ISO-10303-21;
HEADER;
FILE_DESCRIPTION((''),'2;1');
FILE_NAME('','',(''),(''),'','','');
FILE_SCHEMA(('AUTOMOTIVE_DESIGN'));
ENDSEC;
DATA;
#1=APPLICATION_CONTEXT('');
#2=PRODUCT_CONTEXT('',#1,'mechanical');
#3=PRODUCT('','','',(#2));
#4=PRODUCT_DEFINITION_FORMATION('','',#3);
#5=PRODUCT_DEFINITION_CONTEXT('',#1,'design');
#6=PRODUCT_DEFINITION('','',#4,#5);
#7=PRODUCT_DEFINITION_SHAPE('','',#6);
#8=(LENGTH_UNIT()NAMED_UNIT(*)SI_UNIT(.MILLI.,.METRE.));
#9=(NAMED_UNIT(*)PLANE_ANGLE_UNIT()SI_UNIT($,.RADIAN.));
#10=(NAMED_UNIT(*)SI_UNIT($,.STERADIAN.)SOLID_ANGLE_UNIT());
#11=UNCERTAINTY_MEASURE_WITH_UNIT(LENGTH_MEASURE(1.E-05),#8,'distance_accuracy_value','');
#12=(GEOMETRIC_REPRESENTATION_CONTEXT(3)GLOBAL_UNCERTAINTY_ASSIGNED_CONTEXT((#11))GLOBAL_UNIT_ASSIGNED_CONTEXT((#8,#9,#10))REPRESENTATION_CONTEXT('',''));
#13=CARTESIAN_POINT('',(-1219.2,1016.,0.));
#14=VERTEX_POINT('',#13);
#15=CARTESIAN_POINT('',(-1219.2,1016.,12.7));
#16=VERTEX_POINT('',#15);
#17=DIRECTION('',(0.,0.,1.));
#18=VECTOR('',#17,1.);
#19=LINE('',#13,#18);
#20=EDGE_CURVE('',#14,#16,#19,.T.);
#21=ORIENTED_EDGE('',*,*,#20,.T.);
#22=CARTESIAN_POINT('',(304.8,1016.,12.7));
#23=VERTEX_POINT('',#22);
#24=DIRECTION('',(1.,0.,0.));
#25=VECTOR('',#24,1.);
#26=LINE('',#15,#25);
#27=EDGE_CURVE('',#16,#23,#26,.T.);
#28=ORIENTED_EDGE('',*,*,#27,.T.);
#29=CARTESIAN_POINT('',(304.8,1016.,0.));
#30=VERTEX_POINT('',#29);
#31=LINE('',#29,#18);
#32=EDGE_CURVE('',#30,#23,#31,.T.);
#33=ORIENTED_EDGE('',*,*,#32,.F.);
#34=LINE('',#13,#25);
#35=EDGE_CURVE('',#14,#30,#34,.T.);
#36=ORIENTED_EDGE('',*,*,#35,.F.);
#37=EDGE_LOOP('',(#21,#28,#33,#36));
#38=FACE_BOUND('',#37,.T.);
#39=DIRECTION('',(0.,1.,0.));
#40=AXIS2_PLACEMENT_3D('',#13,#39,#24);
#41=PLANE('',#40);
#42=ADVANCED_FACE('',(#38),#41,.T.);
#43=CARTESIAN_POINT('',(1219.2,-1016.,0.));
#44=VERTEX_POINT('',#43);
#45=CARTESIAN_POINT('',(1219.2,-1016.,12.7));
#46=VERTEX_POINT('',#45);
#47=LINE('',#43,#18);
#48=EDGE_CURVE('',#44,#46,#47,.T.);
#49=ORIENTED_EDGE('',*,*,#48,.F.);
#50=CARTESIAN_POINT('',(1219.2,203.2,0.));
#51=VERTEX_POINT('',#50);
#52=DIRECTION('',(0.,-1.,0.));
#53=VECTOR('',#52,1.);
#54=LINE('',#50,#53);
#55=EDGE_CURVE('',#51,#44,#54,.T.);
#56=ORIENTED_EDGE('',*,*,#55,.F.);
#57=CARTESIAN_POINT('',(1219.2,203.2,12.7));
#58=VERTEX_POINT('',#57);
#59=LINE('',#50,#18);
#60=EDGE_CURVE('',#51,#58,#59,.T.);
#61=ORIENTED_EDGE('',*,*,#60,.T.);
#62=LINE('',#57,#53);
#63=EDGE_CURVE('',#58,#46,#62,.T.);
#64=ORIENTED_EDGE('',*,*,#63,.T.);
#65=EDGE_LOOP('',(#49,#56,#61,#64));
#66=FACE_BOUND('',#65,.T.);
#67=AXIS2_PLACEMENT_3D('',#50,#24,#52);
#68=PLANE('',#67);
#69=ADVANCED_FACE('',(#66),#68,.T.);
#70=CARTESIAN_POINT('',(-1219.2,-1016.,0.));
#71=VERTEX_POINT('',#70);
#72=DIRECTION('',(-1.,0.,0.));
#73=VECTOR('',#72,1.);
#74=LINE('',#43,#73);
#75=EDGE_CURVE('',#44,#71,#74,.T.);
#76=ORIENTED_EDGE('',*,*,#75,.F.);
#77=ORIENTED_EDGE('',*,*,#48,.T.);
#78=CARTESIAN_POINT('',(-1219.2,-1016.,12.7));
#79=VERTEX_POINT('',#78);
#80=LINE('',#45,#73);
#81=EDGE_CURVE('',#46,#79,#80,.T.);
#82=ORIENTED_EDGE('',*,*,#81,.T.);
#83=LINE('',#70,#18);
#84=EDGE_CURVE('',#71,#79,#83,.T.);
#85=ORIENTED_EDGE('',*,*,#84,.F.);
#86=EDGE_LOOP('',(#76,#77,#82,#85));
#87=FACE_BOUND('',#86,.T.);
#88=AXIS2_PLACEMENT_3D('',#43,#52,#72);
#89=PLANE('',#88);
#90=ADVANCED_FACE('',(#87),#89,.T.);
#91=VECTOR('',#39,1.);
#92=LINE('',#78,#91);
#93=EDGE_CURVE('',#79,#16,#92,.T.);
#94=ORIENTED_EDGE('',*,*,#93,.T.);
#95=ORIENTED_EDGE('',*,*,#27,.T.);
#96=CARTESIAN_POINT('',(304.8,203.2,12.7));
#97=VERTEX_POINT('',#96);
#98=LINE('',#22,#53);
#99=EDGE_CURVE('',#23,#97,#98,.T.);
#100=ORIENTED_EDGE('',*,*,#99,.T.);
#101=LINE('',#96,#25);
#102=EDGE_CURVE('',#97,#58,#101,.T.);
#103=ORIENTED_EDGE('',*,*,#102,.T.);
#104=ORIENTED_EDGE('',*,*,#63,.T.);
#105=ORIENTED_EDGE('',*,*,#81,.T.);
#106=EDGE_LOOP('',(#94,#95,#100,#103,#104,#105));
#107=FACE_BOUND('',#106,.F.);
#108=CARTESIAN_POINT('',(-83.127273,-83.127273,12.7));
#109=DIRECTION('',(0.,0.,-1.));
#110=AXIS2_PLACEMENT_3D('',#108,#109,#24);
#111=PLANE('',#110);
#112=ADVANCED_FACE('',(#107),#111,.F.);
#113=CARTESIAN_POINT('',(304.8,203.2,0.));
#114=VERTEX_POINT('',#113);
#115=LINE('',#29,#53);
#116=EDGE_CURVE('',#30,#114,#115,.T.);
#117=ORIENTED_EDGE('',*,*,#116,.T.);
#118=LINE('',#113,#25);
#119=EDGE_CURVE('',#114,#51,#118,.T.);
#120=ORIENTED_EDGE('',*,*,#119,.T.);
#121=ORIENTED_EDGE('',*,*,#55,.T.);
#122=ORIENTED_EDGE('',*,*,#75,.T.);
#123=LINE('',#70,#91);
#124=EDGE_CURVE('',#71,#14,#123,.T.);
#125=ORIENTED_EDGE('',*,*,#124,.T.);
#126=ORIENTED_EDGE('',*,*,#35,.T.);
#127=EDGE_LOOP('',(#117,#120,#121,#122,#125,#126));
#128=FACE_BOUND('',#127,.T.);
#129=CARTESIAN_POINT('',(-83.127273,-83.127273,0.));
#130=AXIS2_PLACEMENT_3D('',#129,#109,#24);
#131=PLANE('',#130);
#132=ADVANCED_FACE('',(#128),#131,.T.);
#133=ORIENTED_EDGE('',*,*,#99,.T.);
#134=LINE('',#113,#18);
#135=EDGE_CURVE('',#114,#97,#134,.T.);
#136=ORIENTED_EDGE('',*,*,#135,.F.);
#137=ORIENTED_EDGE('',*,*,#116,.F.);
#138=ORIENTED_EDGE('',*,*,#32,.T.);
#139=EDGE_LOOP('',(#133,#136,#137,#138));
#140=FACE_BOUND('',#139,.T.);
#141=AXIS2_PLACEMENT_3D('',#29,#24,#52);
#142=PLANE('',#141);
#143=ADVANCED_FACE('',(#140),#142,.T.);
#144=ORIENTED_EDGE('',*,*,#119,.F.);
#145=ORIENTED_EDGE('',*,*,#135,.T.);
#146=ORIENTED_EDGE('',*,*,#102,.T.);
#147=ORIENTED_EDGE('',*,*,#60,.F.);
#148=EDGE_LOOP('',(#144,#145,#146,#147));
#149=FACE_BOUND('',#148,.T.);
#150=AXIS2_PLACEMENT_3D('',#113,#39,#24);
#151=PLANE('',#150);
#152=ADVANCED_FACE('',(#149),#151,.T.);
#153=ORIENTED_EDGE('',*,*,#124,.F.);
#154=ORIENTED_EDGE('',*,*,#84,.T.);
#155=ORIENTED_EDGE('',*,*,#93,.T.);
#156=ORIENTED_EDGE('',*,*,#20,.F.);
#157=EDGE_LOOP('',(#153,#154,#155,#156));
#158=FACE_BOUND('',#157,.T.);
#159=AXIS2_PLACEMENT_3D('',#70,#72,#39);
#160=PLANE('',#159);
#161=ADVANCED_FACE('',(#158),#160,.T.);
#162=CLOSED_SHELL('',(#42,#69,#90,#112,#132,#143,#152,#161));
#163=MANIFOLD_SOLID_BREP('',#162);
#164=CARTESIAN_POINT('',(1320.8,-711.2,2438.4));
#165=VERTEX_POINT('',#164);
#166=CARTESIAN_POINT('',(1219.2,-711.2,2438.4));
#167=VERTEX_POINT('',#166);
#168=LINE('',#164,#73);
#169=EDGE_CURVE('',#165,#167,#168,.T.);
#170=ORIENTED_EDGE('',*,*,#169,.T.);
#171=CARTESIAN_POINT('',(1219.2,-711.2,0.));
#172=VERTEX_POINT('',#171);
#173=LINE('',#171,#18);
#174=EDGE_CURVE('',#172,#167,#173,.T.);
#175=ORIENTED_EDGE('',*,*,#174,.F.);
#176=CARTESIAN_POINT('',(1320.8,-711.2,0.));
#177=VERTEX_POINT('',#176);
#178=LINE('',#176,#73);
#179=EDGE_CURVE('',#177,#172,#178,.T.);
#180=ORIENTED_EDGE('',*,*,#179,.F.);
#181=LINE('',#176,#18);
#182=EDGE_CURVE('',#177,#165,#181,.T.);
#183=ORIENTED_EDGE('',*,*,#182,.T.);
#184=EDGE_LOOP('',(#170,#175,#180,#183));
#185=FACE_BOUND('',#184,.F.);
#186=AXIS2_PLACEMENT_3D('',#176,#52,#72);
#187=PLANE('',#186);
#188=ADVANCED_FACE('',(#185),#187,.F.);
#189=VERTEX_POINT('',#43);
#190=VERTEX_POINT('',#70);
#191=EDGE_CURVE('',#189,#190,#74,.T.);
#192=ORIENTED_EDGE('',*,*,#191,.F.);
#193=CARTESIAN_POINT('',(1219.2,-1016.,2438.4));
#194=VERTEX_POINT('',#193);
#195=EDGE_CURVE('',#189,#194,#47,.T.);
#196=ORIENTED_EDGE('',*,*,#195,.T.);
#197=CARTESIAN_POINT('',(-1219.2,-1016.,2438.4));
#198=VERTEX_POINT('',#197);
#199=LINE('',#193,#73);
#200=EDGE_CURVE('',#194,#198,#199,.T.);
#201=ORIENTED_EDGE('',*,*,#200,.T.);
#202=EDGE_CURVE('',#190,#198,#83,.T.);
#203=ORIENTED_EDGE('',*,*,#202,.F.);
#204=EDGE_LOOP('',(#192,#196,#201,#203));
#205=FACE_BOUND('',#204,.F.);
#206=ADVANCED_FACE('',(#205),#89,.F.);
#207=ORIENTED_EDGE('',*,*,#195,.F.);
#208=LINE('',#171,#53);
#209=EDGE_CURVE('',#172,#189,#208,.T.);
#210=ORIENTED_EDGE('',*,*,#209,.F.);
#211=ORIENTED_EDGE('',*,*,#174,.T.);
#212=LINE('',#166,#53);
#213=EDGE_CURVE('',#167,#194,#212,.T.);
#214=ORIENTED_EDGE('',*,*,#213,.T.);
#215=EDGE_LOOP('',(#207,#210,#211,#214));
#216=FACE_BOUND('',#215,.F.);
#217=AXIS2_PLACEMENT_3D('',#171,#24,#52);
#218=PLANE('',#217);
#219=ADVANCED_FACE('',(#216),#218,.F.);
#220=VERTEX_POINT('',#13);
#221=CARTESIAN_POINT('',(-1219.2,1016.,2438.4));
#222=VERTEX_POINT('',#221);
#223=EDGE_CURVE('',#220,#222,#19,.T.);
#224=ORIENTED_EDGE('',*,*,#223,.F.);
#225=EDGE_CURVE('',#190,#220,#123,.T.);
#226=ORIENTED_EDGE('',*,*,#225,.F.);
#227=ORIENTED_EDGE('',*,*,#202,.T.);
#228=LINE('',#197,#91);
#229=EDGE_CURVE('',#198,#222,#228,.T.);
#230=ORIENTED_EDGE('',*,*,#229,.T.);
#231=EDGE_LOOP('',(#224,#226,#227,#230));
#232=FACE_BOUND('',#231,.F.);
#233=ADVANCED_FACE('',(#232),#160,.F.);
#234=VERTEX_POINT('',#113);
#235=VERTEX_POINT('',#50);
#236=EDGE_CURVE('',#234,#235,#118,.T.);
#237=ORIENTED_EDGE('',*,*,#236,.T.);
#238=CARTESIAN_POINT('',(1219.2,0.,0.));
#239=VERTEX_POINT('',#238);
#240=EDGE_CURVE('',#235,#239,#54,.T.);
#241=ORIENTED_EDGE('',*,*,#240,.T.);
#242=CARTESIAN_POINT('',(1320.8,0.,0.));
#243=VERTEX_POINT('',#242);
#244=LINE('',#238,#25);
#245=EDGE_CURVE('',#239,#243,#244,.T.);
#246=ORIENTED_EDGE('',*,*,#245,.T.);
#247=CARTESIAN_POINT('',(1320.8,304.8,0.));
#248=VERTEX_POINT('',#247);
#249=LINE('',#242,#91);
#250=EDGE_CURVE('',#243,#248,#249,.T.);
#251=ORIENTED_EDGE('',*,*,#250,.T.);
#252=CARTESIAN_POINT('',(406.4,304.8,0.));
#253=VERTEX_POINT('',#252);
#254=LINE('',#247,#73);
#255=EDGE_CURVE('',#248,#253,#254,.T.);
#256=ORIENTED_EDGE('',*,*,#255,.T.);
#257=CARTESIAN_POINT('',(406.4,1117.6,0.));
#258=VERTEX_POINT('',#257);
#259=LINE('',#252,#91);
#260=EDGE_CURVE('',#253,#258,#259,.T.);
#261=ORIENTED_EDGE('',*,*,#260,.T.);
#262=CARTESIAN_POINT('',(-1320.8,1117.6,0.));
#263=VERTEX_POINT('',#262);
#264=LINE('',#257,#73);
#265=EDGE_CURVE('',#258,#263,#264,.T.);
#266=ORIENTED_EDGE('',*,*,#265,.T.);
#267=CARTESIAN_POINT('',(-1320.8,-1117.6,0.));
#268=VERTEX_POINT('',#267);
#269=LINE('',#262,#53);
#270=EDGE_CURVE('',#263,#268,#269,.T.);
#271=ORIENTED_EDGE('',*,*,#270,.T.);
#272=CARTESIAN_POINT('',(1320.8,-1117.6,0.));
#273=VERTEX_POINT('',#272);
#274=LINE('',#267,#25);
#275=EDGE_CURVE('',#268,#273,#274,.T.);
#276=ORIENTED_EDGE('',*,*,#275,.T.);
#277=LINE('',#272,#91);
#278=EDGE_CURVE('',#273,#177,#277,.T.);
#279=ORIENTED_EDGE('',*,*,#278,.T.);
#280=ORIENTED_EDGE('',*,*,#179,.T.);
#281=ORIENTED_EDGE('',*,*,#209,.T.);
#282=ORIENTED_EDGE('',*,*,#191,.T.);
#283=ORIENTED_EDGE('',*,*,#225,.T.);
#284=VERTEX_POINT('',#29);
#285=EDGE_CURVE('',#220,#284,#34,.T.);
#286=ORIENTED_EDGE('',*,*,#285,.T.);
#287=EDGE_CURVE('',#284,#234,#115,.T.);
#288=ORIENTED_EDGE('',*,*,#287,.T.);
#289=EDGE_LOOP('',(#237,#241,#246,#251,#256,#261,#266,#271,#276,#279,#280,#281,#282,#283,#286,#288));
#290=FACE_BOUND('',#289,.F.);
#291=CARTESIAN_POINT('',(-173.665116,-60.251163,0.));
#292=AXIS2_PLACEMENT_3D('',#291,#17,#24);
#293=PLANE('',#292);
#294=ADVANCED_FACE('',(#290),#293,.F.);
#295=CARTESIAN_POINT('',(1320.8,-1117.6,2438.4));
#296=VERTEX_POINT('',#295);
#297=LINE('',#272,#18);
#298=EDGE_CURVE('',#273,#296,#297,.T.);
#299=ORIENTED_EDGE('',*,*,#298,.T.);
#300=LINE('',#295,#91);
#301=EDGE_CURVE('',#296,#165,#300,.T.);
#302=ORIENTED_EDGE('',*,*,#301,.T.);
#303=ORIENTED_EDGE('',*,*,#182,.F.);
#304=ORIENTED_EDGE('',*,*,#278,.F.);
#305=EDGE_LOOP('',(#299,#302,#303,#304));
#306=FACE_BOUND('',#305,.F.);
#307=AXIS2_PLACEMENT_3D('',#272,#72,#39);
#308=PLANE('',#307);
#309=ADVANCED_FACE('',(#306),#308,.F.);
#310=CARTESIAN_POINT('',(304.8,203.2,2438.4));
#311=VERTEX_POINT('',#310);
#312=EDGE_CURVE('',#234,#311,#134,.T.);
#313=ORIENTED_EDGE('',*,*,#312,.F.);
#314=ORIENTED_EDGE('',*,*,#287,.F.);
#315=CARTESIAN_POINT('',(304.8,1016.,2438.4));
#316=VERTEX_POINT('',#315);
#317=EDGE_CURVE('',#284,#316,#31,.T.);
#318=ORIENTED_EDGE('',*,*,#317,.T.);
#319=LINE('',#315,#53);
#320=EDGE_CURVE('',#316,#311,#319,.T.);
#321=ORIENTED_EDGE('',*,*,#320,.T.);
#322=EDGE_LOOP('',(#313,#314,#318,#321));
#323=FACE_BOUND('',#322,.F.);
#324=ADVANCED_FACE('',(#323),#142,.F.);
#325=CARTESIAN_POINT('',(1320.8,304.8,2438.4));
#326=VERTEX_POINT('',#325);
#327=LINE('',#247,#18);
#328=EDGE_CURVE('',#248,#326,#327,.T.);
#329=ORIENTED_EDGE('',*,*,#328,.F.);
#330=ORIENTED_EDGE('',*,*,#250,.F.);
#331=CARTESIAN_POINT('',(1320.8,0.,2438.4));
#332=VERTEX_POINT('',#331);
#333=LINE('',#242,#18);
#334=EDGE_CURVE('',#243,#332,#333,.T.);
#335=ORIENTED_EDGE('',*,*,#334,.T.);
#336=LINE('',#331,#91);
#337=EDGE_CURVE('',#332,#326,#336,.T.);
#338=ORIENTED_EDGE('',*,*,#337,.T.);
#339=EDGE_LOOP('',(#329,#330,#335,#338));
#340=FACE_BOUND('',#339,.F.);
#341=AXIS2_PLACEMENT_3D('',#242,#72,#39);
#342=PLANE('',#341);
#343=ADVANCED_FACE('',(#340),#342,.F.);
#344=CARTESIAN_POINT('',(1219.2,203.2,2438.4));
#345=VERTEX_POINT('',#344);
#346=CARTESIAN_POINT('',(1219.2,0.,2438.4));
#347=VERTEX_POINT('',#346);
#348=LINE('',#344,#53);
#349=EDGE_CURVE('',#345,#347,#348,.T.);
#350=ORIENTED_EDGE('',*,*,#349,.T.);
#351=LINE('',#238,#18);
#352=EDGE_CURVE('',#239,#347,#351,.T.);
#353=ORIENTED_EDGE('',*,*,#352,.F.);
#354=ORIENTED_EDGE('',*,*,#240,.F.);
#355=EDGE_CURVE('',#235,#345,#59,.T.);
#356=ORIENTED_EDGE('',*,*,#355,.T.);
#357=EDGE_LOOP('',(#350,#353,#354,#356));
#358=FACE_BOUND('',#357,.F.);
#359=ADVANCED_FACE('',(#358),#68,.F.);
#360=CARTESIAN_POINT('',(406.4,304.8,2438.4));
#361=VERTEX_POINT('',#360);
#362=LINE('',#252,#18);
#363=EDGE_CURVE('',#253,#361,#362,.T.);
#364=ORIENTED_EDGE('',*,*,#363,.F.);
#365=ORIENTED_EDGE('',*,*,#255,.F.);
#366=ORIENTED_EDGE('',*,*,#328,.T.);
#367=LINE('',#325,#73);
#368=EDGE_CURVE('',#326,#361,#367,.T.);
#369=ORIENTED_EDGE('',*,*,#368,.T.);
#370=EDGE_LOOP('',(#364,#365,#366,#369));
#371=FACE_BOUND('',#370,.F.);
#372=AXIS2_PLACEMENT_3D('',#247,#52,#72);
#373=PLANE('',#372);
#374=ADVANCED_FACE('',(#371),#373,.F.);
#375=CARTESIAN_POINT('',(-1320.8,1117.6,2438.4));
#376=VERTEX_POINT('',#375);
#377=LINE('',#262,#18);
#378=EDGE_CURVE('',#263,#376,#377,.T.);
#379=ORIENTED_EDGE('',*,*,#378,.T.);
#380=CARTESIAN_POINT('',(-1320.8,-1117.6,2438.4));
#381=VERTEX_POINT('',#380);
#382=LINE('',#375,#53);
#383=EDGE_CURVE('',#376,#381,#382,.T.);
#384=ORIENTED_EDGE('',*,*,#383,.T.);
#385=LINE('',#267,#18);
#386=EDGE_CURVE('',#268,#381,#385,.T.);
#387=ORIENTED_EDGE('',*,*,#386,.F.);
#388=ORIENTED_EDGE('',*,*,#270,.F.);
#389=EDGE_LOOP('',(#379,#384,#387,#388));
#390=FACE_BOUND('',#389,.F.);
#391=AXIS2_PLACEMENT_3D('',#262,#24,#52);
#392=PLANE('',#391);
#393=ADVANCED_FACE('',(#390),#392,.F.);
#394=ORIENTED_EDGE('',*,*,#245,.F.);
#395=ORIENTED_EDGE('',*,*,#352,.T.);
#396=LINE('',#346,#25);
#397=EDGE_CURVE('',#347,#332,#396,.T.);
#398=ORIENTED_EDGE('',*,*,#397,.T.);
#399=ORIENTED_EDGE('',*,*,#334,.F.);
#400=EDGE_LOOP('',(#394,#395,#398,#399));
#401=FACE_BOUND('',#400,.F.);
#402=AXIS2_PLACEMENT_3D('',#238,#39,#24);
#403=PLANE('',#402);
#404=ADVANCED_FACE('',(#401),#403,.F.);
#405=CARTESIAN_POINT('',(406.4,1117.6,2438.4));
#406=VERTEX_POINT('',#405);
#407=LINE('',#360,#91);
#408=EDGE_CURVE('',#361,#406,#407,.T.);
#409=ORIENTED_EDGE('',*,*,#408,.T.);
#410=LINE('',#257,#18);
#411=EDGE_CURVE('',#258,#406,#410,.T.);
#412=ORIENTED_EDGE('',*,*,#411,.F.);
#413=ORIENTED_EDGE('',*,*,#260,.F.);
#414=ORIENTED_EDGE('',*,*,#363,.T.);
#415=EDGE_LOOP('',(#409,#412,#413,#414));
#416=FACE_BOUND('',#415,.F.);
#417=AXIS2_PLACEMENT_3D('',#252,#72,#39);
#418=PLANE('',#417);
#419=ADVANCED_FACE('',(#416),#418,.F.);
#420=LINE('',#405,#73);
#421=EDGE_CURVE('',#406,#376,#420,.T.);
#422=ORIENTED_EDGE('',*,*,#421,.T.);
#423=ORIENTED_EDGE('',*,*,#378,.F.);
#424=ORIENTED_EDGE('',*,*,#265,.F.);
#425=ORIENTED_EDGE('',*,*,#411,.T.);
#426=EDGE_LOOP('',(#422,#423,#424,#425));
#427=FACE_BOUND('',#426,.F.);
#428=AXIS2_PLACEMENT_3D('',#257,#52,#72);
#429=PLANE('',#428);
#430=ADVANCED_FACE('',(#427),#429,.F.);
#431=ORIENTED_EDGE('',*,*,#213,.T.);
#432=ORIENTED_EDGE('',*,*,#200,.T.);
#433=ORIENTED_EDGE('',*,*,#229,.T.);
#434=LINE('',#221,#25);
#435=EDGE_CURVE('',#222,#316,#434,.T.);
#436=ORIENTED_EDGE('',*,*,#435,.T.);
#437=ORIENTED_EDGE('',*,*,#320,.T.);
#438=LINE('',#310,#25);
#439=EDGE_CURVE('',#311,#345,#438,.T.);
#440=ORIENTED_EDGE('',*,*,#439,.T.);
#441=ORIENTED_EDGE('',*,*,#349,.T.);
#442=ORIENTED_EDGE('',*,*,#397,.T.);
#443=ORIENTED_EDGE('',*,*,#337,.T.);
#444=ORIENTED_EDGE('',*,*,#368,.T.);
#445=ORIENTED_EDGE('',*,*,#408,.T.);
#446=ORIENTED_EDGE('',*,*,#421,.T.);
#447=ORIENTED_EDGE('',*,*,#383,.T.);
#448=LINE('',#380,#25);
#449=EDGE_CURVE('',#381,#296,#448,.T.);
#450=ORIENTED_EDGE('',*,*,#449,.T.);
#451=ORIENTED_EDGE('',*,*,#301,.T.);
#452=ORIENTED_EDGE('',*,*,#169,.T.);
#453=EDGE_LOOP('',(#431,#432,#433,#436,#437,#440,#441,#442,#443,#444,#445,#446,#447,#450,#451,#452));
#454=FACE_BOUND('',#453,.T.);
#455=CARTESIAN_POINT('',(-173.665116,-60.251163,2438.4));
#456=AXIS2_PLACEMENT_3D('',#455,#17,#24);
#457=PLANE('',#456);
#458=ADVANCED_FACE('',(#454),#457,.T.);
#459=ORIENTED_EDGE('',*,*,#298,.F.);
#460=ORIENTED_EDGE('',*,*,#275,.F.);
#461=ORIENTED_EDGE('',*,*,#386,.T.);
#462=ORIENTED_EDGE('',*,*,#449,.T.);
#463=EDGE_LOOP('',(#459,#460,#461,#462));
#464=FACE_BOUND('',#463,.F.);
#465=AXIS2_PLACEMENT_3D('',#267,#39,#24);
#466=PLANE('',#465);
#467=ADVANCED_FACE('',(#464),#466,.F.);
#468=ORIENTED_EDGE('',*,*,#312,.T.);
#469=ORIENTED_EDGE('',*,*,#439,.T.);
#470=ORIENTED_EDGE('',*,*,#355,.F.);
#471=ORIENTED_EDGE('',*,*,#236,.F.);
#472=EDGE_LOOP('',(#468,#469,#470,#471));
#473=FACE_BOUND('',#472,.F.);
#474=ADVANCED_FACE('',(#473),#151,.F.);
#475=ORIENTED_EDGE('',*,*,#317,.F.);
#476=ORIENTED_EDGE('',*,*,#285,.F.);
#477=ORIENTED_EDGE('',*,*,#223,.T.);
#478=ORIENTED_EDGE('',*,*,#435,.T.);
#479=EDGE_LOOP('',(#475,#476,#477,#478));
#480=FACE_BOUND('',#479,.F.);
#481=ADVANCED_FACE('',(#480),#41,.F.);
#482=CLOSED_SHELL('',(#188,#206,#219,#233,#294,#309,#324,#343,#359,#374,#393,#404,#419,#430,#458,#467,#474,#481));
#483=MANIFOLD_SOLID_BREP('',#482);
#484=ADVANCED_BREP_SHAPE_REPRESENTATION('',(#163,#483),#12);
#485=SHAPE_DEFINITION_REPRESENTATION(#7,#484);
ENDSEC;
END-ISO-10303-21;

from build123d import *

# Parameters (mm, degrees)
F1_DEPTH = 2438.4
F3_DEPTH = 12.7


with BuildPart() as f1:
    # F0 (on Top) → F1 (new body)
    with BuildSketch(Plane.XY):
        Polygon((1219.2, -711.2), (1219.2, -1016), (-1219.2, -1016), (-1219.2, 1016), (304.8, 1016), (304.8, 203.2), (1219.2, 203.2), (1219.2, 0), (1320.8, 0), (1320.8, 304.8), (406.4, 304.8), (406.4, 1117.6), (-1320.8, 1117.6), (-1320.8, -1117.6), (1320.8, -1117.6), (1320.8, -711.2), align=None)
    extrude(amount=F1_DEPTH)


with BuildPart() as f3:
    # F2 (on face) → F3 (new body)
    with BuildSketch(Plane(origin=(0, 0, 0), x_dir=(1, 0, 0), z_dir=(0, 0, -1))):
        Polygon((1219.2, 711.2), (1219.2, 1016), (-1219.2, 1016), (-1219.2, -1016), (304.8, -1016), (304.8, -203.2), (1219.2, -203.2), (1219.2, 0), align=None)
    extrude(amount=-F3_DEPTH)


solid = Compound([f1.part, f3.part])
